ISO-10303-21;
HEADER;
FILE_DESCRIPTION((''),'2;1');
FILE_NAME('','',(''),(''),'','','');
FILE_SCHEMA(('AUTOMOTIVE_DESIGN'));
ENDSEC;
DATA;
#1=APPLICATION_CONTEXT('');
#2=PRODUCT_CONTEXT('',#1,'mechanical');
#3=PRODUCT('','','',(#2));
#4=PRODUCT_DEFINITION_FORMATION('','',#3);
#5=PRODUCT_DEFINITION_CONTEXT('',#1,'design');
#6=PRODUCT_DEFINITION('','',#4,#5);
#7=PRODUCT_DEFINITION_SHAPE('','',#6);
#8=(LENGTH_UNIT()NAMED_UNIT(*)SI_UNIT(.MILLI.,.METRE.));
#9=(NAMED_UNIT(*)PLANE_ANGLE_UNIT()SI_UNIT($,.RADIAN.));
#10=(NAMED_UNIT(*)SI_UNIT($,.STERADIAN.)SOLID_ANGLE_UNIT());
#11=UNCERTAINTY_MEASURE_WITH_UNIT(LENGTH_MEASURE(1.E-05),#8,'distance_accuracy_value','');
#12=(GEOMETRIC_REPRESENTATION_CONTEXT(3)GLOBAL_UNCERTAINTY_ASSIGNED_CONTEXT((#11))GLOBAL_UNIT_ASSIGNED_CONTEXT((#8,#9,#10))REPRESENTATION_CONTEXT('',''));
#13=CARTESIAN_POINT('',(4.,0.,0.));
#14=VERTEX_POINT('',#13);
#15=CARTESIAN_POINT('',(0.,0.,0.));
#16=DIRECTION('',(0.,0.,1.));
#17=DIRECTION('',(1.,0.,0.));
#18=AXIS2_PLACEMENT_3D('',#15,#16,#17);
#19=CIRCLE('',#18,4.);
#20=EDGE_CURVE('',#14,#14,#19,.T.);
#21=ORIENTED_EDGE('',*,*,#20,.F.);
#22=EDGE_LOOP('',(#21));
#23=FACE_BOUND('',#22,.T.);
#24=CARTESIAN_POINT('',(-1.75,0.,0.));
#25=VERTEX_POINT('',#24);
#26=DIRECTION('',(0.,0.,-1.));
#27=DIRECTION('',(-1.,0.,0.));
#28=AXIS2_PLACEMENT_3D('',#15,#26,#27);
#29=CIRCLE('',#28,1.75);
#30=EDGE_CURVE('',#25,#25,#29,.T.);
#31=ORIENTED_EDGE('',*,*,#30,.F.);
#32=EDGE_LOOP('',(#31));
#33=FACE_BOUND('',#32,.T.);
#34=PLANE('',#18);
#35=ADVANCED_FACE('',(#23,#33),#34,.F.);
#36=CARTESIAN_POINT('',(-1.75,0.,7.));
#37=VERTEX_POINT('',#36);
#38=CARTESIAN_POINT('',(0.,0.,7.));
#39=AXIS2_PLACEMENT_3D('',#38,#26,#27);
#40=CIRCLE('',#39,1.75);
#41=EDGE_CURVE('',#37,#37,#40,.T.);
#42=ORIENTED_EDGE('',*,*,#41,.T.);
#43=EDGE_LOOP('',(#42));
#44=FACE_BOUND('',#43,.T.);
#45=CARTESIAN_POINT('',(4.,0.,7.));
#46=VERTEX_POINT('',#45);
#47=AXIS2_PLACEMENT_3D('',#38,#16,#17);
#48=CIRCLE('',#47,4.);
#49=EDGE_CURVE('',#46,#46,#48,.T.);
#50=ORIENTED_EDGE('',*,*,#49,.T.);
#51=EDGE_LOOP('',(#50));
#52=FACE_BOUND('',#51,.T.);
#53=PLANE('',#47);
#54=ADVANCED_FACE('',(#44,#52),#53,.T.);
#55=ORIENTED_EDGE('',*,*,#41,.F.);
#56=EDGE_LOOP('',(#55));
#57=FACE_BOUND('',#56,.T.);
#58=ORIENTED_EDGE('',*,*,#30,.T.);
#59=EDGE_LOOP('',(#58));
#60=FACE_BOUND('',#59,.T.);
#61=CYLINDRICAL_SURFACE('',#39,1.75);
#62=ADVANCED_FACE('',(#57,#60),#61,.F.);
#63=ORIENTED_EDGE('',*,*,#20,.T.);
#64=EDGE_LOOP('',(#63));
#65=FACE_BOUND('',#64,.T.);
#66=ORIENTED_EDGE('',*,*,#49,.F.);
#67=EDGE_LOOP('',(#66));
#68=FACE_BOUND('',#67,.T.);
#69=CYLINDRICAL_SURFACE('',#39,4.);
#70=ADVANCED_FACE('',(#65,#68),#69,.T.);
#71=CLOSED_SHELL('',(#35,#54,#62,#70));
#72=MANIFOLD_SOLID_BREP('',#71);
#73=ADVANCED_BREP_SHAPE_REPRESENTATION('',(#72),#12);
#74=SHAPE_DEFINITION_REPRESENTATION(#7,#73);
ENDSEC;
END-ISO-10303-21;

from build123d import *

# Parameters (mm, degrees)
ESBO_O1_R                = 4
RESSALTO_EXTRUS_O1_DEPTH = 7
ESBO_O2_R                = 1.75
CORTE_EXTRUS_O1_DEPTH    = 7


with BuildPart() as part:
    # Esboço1 → Ressalto-extrusão1 (new body)
    with BuildSketch(Plane.XY):
        Circle(ESBO_O1_R)
    extrude(amount=RESSALTO_EXTRUS_O1_DEPTH)

    # Esboço2 → Corte-extrusão1 (cut)
    with BuildSketch(Plane(origin=(0, 0, 0), x_dir=(-1, 0, 0), z_dir=(0, 0, -1))):
        Circle(ESBO_O2_R)
    extrude(amount=-CORTE_EXTRUS_O1_DEPTH, mode=Mode.SUBTRACT)


solid = part.part
